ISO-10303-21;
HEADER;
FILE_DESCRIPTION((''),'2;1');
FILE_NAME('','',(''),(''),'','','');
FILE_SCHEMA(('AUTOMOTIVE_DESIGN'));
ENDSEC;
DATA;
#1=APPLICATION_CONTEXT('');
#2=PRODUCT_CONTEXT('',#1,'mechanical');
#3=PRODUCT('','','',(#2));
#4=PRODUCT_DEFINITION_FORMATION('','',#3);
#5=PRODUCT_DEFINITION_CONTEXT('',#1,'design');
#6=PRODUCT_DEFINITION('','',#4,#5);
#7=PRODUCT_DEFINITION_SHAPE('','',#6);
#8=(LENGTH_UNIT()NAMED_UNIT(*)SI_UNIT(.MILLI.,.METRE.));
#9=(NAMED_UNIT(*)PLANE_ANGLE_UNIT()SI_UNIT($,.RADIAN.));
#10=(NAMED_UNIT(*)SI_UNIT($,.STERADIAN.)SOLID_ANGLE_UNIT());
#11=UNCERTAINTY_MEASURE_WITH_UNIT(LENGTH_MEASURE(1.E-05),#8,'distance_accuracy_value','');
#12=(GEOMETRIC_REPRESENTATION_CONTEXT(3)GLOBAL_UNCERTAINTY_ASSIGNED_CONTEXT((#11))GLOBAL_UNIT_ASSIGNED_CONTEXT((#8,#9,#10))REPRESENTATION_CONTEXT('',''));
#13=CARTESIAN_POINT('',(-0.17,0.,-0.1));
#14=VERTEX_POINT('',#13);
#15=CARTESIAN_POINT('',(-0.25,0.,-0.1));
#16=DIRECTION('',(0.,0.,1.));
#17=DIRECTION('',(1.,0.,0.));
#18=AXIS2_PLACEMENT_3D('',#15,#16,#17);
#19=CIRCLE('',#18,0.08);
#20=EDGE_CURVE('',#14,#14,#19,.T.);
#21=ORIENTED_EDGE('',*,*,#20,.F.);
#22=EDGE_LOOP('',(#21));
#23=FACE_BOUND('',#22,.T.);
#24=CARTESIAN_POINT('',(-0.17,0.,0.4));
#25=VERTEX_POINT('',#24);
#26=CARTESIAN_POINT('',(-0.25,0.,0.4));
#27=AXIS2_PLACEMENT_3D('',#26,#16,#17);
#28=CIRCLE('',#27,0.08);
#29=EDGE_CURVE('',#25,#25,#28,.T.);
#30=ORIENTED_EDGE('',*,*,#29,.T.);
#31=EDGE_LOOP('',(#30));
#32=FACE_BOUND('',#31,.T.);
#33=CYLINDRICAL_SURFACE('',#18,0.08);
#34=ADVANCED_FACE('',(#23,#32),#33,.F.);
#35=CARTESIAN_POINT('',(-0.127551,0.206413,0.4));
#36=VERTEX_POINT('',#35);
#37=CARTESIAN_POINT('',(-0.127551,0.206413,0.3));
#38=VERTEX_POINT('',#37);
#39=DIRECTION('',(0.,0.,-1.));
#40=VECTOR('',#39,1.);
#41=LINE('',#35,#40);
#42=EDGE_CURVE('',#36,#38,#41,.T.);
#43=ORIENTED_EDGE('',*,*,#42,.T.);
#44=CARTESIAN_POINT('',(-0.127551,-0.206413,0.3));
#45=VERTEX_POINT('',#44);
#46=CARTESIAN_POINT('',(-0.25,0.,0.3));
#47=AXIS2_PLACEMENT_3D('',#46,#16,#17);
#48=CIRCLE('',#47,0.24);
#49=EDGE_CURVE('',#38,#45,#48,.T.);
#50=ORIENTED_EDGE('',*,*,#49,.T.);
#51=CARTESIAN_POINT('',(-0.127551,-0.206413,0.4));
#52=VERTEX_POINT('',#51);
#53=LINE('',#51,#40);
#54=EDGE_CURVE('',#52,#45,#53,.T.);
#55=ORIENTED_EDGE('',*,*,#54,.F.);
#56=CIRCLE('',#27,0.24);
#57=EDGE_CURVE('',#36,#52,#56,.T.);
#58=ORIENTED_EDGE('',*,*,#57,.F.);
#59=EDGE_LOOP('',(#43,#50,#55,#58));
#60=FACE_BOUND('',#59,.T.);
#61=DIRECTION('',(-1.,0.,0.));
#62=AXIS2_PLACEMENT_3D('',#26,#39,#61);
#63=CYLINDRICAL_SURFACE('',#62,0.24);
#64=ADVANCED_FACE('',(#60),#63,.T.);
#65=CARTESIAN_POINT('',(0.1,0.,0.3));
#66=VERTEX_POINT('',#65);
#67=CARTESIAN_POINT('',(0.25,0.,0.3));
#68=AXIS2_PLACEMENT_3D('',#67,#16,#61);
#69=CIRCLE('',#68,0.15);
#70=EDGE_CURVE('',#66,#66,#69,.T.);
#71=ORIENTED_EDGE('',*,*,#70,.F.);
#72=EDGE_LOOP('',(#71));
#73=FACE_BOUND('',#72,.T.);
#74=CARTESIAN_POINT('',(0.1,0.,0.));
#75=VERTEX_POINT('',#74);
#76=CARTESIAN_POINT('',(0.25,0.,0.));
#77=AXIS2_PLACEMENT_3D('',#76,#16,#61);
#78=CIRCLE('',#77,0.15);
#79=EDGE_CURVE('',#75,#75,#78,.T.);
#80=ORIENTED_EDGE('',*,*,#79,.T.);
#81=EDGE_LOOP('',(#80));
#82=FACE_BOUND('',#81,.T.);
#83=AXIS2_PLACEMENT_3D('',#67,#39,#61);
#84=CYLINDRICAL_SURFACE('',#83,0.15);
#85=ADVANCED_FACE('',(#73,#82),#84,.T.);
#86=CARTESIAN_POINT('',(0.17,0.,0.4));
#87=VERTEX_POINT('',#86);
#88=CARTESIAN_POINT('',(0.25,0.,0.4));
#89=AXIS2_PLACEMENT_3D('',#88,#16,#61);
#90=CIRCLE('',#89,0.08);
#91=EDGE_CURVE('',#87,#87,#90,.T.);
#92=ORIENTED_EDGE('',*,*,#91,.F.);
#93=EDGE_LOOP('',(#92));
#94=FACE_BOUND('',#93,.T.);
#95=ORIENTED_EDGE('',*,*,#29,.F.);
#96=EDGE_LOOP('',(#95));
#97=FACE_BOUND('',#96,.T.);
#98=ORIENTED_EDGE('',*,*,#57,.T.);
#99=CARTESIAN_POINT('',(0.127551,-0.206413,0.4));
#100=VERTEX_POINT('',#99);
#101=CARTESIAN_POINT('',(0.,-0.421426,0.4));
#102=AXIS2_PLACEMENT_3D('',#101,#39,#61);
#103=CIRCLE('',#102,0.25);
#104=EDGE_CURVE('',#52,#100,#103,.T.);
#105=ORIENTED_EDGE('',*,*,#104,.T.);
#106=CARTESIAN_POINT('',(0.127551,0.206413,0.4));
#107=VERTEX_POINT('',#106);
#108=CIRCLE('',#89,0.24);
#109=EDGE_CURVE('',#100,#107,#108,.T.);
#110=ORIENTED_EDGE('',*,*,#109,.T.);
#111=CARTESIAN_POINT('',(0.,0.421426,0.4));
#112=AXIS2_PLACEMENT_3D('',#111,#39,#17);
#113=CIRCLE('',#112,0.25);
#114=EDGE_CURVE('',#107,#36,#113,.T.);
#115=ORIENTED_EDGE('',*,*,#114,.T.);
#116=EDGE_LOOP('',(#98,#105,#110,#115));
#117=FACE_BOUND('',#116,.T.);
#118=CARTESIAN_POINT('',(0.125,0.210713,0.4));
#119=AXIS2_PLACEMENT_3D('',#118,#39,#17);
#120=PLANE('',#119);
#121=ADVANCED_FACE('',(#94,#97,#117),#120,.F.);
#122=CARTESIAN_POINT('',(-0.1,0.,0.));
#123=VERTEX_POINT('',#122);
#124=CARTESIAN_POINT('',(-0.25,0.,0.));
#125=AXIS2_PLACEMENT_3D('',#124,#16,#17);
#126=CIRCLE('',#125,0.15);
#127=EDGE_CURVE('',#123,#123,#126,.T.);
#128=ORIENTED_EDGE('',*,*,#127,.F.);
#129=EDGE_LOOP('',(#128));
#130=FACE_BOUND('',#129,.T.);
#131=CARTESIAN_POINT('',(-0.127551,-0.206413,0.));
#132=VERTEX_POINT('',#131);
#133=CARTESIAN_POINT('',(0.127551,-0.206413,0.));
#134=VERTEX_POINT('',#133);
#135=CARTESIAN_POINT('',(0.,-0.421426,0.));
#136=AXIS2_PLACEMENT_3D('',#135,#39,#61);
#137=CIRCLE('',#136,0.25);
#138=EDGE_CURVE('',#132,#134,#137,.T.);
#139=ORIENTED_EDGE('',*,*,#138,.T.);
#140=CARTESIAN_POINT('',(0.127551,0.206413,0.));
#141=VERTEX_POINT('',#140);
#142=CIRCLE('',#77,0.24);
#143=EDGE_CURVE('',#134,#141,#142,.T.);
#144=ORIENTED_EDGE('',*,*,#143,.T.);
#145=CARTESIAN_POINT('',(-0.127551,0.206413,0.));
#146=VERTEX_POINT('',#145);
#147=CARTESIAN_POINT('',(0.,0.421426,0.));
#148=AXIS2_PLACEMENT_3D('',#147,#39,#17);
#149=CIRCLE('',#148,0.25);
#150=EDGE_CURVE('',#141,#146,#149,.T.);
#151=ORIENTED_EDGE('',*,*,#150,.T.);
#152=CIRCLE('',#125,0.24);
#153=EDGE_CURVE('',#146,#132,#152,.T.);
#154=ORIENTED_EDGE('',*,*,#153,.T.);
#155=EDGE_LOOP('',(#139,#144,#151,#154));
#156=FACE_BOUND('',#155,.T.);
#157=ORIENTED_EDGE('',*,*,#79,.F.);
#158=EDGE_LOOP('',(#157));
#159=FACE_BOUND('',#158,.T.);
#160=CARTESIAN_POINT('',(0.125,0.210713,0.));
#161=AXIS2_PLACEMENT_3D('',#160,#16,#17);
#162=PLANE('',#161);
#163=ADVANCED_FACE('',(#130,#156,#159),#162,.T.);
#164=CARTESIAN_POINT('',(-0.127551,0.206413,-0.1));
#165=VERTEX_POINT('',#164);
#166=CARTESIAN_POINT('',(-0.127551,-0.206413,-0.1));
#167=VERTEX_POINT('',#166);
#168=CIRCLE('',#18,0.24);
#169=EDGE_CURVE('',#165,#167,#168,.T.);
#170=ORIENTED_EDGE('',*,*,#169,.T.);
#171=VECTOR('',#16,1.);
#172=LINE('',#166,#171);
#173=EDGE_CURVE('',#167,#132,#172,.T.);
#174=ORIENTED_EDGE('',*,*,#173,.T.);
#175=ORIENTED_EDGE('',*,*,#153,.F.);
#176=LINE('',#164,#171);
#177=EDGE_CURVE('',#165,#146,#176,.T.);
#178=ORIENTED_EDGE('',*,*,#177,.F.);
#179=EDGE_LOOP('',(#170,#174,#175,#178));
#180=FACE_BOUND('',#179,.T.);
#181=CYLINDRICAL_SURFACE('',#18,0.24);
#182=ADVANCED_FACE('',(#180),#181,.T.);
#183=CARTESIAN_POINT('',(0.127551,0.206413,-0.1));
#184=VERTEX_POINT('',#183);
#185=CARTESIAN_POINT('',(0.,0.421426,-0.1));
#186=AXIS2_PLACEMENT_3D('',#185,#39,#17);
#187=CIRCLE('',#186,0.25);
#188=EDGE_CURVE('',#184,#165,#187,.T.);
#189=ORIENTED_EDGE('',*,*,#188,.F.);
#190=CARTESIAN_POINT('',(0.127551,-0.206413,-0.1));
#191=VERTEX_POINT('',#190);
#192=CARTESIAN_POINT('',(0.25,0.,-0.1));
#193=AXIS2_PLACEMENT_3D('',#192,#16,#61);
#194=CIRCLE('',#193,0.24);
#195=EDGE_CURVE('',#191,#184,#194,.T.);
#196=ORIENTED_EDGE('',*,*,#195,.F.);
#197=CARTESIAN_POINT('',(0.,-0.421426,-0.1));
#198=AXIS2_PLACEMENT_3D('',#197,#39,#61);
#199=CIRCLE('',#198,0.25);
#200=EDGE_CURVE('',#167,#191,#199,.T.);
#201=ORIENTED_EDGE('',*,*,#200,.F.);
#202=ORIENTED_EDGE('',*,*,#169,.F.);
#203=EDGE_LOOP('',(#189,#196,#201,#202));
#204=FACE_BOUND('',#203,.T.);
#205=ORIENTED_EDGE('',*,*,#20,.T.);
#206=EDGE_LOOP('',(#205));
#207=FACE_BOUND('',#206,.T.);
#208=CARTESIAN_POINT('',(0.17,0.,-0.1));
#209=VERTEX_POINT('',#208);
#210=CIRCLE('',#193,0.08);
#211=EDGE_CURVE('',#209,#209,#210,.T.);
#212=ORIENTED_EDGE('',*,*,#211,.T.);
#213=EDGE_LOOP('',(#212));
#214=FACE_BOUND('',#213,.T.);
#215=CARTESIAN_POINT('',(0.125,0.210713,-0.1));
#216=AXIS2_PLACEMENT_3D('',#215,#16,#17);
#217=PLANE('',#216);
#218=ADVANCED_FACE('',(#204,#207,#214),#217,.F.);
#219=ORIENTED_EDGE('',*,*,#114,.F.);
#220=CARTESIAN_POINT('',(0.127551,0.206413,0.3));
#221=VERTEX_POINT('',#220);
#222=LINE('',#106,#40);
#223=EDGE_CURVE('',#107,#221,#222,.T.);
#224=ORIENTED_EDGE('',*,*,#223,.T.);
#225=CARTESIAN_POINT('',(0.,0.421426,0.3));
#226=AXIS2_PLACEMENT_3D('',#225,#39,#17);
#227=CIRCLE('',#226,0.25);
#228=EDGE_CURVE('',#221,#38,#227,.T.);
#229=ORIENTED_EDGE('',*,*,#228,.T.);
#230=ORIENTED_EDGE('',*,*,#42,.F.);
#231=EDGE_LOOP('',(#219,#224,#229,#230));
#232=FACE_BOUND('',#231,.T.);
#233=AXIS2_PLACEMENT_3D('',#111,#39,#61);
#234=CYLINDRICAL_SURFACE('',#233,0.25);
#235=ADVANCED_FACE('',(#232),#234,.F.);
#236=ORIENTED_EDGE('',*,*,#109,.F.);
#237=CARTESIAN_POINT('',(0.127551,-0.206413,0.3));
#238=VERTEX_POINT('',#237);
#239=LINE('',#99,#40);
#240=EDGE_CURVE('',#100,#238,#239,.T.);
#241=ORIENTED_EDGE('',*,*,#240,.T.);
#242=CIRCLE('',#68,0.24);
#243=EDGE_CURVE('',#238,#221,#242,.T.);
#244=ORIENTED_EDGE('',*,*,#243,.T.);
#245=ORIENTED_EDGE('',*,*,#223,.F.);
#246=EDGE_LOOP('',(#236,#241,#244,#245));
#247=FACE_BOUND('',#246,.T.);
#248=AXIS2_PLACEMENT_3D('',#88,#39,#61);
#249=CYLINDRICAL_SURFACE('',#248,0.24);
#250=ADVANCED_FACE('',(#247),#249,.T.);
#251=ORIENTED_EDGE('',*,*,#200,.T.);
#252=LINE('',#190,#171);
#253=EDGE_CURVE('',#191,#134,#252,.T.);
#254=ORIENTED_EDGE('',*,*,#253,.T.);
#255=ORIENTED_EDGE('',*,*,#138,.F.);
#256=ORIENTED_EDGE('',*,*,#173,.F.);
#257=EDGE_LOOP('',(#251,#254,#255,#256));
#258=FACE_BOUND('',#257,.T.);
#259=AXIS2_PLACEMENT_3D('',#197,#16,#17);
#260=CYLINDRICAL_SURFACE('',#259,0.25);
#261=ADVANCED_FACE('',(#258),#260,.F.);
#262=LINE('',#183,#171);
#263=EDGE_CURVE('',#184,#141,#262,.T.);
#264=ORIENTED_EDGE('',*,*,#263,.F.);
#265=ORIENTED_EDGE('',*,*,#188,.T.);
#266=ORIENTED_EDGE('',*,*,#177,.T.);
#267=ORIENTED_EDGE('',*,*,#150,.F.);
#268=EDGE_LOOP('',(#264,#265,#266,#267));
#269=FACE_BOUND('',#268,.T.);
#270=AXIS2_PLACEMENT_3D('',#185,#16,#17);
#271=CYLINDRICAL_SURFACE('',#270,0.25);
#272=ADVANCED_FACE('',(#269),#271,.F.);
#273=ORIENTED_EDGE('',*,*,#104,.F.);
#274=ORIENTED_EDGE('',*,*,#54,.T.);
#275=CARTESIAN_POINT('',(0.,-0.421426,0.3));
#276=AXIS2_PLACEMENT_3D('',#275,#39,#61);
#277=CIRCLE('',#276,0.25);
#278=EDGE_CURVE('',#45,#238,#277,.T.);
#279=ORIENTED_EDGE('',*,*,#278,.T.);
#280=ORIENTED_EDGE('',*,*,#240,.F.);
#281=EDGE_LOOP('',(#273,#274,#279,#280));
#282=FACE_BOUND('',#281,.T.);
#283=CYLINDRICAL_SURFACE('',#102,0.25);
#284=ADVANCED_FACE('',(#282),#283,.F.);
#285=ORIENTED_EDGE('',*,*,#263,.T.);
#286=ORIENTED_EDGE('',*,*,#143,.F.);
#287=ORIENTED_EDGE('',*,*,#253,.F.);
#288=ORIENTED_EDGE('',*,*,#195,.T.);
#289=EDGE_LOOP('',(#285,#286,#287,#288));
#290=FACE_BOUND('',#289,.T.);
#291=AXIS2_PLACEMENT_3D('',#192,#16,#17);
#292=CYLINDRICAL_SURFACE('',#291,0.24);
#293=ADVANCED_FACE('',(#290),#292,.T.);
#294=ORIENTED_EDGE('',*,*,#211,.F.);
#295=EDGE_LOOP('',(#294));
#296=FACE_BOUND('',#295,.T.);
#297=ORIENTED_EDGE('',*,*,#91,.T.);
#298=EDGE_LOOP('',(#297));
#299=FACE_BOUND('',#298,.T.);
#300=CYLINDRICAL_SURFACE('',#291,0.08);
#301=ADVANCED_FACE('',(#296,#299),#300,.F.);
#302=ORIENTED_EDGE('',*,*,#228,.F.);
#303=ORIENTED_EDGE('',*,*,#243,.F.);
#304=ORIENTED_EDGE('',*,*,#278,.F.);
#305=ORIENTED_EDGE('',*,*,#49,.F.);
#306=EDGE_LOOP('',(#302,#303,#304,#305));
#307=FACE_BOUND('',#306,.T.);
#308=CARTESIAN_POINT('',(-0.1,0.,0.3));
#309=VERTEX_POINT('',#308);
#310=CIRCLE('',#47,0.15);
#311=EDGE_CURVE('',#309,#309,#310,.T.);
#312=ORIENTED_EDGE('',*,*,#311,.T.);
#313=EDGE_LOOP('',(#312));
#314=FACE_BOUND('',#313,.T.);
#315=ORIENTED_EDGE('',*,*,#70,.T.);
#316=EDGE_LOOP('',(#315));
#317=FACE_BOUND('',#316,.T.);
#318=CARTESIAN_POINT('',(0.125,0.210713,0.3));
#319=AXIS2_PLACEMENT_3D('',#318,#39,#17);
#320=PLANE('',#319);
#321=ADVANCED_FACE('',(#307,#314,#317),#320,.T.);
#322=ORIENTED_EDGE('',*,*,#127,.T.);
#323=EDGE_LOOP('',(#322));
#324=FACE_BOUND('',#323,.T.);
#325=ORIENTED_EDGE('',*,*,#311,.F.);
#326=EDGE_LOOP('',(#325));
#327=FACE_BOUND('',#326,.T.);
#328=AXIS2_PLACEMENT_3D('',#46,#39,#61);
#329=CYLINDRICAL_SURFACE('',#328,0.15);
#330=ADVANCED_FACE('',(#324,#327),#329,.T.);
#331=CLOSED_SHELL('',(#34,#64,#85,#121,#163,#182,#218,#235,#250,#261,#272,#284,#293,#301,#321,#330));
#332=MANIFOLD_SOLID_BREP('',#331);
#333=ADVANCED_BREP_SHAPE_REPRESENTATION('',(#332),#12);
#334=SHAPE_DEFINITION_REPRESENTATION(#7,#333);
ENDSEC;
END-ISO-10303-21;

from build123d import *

# Parameters (mm, degrees)
SKETCH1_R           = 0.08
BOSS_EXTRUDE1_DEPTH = 0.1
BOSS_EXTRUDE2_START = 0.3
SKETCH2_R           = 0.15
SKETCH2_R_2         = 0.08
BOSS_EXTRUDE2_DEPTH = 0.3


with BuildPart() as part:
    # Sketch1 → Boss-Extrude1 (new body)
    with BuildSketch(Plane.XY):
        with BuildLine():
            ThreePointArc((-0.12755102, 0.206412808), (-0.49, 0), (-0.12755102, -0.206412808))
            ThreePointArc((-0.12755102, -0.206412808), (0, -0.17142615), (0.12755102, -0.206412808))
            ThreePointArc((0.12755102, -0.206412808), (0.49, 0), (0.12755102, 0.206412808))
            ThreePointArc((0.12755102, 0.206412808), (0, 0.17142615), (-0.12755102, 0.206412808))
        make_face()
        with Locations((-0.25, 0)):
            Circle(SKETCH1_R, mode=Mode.SUBTRACT)
        with Locations(Location((0.25, 0, 0), (0, 0, 180))):
            Circle(SKETCH1_R, mode=Mode.SUBTRACT)
    boss_extrude1 = extrude(amount=-BOSS_EXTRUDE1_DEPTH)

    # Sketch2 → Boss-Extrude2 (add)
    # profile 1 of 2: a face of its own
    with BuildSketch(Plane.XY.offset(BOSS_EXTRUDE2_START)):
        with Locations((-0.25, 0)):
            Circle(SKETCH2_R)
        with Locations((-0.25, 0)):
            Circle(SKETCH2_R_2, mode=Mode.SUBTRACT)
    # profile 2 of 2: a face of its own
    with BuildSketch(Plane.XY.offset(BOSS_EXTRUDE2_START)):
        with Locations(Location((0.25, 0, 0), (0, 0, 180))):
            Circle(SKETCH2_R)
        with Locations(Location((0.25, 0, 0), (0, 0, 180))):
            Circle(SKETCH2_R_2, mode=Mode.SUBTRACT)
    extrude(amount=-BOSS_EXTRUDE2_DEPTH)

    # Mirror1: Boss-Extrude1 across plane
    add(boss_extrude1.mirror(Plane.XY.offset(0.15)))


solid = part.part
